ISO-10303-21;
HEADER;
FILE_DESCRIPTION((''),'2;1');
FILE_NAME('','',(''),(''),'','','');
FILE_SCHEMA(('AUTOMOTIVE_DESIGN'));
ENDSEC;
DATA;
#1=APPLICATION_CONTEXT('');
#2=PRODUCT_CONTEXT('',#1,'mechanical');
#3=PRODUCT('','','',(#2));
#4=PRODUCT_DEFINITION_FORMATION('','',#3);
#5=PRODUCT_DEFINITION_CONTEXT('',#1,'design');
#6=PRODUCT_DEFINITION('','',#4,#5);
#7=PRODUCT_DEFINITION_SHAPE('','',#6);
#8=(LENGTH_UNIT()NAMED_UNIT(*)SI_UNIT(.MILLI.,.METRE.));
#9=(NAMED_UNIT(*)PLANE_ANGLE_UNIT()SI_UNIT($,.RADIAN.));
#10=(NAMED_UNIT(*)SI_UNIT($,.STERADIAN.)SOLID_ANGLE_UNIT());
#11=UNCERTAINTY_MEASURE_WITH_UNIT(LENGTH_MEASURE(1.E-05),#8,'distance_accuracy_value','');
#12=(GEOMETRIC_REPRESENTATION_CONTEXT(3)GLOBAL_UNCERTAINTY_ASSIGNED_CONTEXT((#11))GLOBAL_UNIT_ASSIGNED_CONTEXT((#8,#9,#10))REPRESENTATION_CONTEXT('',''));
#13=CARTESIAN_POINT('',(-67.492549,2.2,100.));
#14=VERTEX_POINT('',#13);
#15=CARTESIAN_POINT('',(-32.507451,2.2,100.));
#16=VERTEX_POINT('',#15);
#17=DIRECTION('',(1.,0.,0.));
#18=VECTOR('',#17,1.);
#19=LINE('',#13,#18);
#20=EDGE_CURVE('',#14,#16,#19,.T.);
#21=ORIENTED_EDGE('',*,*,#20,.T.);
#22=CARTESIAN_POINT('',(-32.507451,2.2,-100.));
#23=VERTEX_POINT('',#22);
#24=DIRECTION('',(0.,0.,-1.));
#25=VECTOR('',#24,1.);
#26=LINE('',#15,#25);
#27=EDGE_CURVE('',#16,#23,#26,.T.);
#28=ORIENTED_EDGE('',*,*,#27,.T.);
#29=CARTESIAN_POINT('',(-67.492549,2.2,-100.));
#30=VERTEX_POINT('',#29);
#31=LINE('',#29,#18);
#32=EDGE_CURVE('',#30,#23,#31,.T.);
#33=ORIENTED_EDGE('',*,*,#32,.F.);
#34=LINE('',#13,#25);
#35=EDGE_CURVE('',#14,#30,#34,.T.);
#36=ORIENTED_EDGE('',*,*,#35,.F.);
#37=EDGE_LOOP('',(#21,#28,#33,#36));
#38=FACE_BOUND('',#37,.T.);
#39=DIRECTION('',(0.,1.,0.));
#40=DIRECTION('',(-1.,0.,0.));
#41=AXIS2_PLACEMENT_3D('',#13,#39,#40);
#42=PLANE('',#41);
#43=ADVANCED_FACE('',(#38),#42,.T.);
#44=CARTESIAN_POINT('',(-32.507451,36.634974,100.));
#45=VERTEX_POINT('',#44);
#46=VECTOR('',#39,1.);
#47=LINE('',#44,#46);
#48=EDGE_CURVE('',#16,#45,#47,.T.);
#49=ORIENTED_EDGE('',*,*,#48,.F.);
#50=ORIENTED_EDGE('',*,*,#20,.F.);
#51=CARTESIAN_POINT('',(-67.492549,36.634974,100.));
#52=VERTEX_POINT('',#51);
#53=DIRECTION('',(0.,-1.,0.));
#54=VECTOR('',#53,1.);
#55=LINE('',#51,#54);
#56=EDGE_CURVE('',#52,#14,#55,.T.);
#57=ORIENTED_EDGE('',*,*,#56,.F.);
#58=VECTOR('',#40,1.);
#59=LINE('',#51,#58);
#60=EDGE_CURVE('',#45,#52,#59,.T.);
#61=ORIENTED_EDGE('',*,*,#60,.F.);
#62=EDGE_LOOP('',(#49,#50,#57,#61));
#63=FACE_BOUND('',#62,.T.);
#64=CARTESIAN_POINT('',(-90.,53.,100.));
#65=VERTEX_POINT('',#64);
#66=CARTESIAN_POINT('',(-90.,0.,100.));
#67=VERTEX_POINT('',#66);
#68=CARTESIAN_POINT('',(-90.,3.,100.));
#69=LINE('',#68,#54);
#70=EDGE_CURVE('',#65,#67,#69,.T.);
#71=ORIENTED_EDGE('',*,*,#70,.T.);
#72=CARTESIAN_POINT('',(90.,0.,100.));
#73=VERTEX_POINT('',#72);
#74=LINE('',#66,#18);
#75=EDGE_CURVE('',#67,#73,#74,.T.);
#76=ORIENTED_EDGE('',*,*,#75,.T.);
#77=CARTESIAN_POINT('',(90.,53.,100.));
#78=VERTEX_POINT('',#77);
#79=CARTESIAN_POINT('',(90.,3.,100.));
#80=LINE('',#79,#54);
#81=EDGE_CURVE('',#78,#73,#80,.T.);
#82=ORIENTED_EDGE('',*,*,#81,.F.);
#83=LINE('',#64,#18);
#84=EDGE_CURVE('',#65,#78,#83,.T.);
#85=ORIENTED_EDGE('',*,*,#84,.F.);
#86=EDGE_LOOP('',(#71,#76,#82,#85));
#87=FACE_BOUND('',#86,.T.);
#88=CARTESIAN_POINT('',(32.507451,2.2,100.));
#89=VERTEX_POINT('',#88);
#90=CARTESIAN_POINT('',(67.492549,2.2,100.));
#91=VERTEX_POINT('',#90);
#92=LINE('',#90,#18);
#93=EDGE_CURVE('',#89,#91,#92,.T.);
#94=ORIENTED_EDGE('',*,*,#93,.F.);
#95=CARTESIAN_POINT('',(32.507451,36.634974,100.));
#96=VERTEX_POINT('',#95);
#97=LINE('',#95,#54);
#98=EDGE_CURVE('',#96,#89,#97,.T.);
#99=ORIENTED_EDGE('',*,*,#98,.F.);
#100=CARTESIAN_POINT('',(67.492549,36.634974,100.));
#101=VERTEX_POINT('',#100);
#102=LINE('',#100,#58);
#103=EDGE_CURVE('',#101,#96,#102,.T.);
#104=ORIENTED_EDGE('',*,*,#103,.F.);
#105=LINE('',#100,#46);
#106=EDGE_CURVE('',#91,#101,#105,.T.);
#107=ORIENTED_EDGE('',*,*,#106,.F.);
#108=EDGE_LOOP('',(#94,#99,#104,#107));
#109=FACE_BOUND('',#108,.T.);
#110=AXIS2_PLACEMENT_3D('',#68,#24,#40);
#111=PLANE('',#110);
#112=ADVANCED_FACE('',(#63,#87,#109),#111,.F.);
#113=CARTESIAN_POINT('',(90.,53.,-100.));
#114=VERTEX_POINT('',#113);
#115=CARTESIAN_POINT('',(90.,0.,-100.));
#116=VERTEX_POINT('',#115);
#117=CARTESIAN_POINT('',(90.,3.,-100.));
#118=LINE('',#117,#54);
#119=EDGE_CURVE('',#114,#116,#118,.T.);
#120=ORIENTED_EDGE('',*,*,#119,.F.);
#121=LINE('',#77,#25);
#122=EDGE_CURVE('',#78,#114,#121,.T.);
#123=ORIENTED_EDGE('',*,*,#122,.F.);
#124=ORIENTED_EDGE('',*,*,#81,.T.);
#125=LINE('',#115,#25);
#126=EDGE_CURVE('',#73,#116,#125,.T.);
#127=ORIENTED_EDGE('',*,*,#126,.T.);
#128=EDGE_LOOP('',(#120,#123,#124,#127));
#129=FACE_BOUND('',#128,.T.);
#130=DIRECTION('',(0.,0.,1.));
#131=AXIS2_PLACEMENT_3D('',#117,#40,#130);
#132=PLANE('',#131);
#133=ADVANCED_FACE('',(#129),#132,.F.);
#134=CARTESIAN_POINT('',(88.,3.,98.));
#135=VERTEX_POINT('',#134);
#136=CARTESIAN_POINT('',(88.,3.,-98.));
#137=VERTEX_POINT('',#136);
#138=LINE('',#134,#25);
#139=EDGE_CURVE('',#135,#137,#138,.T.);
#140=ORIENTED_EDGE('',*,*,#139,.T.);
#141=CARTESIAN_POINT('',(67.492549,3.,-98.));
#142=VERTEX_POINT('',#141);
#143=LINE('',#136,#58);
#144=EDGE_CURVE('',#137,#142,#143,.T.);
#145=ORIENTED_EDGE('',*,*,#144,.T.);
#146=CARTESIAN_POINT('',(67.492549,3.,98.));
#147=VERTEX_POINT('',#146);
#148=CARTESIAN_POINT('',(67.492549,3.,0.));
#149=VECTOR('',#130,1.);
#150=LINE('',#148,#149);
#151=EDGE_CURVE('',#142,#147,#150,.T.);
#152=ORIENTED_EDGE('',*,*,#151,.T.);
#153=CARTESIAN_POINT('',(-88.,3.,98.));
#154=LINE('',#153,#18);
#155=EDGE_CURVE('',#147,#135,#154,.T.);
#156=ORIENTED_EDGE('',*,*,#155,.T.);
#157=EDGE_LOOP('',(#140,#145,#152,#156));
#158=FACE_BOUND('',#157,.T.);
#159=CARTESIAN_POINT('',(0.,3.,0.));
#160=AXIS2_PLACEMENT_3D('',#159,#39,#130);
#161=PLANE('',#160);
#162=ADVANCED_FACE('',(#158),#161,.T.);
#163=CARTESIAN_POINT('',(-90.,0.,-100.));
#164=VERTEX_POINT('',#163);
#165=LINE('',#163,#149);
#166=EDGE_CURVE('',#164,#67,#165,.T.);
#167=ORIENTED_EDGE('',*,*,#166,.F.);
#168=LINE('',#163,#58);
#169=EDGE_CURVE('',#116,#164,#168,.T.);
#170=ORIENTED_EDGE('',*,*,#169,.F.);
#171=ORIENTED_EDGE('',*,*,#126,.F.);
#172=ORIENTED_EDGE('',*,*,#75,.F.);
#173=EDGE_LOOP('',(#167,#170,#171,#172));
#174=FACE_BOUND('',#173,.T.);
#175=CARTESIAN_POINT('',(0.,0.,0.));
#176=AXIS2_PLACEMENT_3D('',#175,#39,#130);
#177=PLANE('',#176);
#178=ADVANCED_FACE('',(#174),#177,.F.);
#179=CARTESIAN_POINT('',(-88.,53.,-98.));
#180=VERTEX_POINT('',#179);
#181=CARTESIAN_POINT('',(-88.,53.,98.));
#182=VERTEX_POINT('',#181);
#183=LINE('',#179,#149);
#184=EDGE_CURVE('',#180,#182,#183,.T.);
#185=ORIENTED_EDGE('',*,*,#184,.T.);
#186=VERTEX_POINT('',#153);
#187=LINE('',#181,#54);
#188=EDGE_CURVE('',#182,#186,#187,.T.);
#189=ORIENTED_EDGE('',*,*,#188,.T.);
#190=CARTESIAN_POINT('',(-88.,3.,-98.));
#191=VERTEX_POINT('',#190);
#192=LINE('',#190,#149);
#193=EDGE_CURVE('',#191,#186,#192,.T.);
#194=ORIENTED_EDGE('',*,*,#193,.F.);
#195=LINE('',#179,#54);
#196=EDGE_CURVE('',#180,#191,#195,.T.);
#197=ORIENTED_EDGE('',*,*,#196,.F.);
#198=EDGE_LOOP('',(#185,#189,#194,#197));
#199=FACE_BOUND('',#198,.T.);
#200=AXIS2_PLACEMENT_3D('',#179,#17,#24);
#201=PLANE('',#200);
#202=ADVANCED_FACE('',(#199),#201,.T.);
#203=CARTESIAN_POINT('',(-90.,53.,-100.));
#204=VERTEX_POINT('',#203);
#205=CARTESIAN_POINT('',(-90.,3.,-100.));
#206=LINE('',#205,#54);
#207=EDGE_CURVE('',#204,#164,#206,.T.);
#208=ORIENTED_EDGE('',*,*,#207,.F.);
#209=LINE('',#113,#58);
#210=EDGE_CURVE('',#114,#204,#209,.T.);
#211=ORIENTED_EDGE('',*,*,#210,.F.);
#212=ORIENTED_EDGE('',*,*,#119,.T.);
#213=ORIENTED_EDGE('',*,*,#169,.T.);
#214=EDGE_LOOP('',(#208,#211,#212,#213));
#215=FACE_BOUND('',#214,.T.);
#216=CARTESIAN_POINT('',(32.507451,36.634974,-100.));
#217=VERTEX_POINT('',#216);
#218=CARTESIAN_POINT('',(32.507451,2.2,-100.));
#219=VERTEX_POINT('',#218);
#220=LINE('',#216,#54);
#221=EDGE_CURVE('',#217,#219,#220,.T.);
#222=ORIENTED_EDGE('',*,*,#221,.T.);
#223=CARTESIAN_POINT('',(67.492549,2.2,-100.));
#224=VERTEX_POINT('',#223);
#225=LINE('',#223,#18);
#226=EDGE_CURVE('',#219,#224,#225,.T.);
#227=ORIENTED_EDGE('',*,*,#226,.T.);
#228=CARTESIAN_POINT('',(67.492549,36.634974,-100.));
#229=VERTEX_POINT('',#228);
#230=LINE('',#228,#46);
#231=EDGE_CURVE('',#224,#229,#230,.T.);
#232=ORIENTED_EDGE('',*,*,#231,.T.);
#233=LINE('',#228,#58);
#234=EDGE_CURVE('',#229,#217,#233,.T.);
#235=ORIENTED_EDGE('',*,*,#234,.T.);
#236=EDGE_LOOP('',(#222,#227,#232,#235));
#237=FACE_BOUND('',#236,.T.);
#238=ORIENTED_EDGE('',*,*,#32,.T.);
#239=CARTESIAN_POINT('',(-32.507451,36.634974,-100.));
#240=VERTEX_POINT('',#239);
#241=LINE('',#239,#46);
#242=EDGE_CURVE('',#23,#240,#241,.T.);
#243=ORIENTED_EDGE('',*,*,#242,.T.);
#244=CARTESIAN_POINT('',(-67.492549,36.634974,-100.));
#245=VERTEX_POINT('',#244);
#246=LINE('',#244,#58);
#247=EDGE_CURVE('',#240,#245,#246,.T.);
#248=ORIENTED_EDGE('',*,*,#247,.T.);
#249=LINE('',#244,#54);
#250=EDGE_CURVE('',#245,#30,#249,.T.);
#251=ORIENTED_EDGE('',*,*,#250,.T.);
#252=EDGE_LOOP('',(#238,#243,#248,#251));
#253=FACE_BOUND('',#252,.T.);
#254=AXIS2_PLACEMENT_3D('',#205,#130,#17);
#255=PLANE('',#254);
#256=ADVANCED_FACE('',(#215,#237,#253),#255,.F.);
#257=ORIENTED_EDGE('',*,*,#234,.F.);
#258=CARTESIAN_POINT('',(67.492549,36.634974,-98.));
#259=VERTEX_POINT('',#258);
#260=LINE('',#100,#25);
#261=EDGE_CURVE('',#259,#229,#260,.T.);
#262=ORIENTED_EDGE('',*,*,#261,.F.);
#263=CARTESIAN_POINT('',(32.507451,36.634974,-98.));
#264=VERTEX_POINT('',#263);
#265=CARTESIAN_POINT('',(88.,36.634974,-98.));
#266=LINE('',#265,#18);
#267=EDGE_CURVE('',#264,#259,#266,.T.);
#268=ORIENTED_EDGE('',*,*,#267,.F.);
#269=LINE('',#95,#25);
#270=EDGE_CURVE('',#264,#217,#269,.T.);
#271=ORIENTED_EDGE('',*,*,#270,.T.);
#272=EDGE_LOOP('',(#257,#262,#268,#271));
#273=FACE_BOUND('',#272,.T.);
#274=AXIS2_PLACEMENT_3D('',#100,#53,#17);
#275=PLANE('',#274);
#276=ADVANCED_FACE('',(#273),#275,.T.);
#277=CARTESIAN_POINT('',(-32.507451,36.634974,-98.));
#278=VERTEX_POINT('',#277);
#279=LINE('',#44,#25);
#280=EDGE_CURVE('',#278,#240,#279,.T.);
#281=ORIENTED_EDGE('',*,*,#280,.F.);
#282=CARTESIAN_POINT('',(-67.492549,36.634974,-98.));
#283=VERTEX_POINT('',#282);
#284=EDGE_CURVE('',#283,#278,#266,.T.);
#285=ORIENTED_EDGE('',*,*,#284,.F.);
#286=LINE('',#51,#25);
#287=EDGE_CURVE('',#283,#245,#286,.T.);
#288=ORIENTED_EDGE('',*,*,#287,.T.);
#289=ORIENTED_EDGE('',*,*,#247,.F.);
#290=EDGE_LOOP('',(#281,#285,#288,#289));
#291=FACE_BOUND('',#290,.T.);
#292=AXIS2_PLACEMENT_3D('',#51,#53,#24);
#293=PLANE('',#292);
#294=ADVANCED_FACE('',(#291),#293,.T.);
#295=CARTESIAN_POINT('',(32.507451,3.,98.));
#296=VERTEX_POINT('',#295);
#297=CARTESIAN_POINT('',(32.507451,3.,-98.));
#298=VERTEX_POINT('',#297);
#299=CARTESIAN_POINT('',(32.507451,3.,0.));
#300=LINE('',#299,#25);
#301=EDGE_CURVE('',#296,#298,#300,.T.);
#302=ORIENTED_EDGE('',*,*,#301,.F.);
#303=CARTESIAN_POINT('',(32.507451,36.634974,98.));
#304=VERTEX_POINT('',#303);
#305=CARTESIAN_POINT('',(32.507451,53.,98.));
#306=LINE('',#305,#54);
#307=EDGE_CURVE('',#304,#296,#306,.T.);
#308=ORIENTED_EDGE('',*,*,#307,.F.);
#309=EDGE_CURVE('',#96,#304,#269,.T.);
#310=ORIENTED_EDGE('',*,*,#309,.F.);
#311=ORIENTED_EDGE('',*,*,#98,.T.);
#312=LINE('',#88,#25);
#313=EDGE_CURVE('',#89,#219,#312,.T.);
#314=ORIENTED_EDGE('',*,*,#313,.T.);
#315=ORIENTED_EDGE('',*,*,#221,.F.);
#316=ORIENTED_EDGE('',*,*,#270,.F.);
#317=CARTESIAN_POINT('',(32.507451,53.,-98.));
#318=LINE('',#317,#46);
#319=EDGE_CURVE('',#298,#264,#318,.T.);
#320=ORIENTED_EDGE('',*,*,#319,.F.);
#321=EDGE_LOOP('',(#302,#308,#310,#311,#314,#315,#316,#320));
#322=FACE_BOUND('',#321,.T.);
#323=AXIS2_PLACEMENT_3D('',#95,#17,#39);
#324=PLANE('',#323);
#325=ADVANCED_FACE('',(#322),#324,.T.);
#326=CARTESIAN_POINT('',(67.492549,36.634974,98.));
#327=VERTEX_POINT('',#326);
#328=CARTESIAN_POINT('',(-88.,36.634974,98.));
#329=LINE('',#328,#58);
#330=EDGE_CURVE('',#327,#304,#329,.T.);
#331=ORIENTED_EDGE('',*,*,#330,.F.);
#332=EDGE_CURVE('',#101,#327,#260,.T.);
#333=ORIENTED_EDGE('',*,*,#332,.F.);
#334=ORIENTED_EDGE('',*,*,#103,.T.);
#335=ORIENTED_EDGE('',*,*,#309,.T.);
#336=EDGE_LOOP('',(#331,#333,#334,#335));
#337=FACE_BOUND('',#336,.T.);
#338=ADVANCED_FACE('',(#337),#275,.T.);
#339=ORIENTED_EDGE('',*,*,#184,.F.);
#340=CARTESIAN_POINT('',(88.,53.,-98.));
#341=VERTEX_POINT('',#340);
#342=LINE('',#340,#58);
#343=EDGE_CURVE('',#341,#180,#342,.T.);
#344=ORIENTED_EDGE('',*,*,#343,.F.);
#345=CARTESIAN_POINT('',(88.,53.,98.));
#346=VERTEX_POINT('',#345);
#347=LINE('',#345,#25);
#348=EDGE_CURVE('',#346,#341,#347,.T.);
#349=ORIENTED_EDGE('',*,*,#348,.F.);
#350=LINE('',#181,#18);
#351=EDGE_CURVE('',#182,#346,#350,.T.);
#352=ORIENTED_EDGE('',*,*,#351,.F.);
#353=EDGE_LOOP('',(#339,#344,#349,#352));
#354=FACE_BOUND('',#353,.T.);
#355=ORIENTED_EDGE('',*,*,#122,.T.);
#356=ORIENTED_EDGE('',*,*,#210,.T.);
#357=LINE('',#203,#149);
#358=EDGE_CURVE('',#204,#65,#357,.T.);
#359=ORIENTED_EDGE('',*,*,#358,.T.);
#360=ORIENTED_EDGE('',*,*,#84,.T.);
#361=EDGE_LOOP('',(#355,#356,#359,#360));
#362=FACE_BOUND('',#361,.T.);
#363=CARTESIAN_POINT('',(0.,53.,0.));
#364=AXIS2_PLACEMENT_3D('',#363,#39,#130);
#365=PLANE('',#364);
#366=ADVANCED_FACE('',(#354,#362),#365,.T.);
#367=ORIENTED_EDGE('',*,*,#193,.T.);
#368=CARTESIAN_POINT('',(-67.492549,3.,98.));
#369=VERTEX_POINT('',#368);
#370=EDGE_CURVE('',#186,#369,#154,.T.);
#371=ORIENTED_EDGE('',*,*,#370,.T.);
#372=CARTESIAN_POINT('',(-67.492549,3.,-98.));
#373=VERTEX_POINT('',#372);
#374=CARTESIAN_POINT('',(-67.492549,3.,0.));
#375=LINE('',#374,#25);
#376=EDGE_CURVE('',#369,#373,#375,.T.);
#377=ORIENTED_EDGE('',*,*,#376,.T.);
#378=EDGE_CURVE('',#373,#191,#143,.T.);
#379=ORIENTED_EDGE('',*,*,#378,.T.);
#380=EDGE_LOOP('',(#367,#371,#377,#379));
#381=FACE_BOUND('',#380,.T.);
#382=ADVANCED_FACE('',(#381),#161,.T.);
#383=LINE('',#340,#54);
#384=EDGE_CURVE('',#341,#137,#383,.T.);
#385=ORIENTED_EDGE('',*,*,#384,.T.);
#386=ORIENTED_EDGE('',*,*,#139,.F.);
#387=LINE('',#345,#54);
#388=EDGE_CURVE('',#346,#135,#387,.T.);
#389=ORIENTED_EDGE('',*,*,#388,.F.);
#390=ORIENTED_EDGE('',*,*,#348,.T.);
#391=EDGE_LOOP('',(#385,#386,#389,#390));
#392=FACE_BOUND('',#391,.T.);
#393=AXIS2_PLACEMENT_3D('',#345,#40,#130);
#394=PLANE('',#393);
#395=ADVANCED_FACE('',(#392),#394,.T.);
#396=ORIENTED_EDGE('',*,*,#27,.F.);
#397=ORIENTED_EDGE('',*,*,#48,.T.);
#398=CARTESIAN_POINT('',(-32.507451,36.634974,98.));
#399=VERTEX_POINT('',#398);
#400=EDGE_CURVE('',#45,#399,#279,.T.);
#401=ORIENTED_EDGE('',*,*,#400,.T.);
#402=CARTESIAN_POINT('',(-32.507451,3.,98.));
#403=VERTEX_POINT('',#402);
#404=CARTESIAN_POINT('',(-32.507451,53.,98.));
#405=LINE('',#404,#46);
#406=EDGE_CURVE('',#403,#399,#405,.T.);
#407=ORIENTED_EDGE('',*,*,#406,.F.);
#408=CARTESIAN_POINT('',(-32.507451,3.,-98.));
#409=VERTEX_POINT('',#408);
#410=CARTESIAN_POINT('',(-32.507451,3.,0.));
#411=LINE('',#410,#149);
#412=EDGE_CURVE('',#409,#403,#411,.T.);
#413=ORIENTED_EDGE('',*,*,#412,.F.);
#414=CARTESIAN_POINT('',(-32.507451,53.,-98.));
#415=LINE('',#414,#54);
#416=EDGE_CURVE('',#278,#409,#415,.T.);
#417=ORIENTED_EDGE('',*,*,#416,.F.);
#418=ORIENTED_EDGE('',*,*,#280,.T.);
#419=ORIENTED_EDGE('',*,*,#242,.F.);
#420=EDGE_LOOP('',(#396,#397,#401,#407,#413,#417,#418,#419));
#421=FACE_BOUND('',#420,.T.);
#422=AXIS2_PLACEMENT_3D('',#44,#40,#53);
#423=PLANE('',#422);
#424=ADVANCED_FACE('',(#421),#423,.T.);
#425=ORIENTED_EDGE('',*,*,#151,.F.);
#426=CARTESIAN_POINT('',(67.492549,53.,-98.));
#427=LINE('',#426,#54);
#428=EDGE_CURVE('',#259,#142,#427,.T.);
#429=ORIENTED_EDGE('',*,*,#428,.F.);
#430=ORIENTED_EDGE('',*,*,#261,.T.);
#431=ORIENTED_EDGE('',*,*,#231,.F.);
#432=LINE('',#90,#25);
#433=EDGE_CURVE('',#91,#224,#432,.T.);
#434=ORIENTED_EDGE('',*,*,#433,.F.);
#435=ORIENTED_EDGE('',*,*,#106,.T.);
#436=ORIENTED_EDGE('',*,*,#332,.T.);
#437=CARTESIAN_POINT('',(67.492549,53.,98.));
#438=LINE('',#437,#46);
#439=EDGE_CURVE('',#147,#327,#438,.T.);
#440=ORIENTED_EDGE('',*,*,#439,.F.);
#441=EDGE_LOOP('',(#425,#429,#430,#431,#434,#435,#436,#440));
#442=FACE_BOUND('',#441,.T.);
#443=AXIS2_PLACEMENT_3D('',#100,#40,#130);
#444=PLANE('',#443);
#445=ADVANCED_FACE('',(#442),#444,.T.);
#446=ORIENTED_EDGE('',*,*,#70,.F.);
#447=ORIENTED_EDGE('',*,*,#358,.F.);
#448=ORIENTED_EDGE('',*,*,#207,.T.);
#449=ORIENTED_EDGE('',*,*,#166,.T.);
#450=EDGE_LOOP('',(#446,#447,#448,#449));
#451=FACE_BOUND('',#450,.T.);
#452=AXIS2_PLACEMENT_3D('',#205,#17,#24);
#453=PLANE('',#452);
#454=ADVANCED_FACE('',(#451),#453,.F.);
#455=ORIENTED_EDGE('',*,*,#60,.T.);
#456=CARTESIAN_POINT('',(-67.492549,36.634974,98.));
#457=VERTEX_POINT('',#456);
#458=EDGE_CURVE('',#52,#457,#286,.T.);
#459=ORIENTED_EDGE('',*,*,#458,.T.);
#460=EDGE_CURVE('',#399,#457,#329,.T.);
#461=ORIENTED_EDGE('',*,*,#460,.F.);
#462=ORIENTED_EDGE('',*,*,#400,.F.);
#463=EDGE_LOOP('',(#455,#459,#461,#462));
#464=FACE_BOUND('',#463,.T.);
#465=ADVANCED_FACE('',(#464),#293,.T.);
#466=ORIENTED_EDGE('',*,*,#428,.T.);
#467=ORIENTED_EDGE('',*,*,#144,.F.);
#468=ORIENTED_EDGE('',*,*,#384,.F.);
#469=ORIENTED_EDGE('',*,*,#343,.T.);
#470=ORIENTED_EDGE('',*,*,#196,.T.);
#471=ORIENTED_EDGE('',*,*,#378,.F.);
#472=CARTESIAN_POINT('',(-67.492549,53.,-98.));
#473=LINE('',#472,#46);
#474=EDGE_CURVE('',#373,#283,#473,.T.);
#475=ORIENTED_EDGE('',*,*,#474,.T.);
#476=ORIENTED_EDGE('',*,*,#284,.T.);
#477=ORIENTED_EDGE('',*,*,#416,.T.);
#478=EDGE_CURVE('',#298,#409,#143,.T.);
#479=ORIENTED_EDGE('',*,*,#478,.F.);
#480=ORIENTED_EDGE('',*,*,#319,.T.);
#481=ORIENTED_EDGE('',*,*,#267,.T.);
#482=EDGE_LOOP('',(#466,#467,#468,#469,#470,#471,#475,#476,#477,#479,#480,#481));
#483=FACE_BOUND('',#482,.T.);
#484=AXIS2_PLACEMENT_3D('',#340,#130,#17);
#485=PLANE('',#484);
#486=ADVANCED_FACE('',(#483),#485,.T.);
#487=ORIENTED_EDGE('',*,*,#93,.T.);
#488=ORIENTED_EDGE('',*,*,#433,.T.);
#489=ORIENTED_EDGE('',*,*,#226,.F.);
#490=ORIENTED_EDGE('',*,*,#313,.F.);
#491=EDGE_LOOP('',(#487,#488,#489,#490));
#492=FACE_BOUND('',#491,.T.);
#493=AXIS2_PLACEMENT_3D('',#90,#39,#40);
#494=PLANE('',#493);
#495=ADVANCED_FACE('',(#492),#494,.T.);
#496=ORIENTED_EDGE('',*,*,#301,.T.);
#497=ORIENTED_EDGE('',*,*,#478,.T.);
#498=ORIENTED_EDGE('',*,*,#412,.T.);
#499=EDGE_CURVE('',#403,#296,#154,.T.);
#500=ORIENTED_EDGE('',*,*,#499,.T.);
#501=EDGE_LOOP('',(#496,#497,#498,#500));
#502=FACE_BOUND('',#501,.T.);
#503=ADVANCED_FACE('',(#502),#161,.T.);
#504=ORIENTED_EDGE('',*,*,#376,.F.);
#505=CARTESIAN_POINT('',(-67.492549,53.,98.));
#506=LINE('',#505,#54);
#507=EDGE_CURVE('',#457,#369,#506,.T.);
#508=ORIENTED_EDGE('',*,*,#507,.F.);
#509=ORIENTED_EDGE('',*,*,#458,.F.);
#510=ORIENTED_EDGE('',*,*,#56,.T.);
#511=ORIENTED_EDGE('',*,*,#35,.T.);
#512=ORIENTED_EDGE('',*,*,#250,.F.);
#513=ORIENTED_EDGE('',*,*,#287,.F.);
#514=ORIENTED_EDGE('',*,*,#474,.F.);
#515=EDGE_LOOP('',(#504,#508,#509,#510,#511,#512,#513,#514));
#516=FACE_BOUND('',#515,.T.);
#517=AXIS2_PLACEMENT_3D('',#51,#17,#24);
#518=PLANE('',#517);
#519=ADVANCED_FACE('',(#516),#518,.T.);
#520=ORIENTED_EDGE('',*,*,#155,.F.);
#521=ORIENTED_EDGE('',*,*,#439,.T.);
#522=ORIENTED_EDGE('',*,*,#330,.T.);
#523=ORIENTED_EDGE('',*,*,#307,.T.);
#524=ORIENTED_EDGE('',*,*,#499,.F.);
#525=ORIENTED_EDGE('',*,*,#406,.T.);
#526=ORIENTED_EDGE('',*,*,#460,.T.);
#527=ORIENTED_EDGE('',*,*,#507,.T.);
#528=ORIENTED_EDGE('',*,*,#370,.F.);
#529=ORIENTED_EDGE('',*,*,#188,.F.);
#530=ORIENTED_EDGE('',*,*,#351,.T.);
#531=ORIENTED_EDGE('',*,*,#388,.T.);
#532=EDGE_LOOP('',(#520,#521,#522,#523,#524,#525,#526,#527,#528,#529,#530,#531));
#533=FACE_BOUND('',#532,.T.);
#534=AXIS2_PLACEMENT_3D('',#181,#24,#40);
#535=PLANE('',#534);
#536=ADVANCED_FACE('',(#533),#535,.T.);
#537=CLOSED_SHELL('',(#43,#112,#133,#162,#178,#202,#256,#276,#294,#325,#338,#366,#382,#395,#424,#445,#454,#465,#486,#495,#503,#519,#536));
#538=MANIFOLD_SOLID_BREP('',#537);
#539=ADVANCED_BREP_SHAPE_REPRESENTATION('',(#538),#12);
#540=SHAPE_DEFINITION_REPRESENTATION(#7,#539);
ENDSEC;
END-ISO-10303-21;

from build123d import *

# Parameters (mm, degrees)
SKETCH1_W               = 180
SKETCH1_H               = 200
BOSS_EXTRUDE1_DEPTH     = 3
SKETCH2_W               = 180
SKETCH2_H               = 200
SKETCH2_W_2             = 176
SKETCH2_H_2             = 196
BOSS_EXTRUDE2_DEPTH     = 50
CUT_EXTRUDE1_DEPTH      = 145.599446749
CUT_EXTRUDE1_DEPTH_BACK = 145.599446749
SKETCH3_W               = 34.985098544
SKETCH3_H               = 34.434974118


with BuildPart() as part:
    # Sketch1 → Boss-Extrude1 (new body)
    with BuildSketch(Plane(origin=(0, 0, 0), x_dir=(1, 0, 0), z_dir=(0, 1, 0))):
        Rectangle(SKETCH1_W, SKETCH1_H)
    extrude(amount=BOSS_EXTRUDE1_DEPTH)

    # Sketch2 → Boss-Extrude2 (add)
    with BuildSketch(Plane(origin=(0, 3, 0), x_dir=(1, 0, 0), z_dir=(0, 1, 0))):
        Rectangle(SKETCH2_W, SKETCH2_H)
        Rectangle(SKETCH2_W_2, SKETCH2_H_2, mode=Mode.SUBTRACT)
    extrude(amount=BOSS_EXTRUDE2_DEPTH)

    # Sketch3 → Cut-Extrude1 (cut, two sides: drawn at the far end of the back side and taken through both)
    with BuildSketch(Plane.XY.offset(-CUT_EXTRUDE1_DEPTH_BACK)):
        with Locations((-50, 19.417487059)):
            Rectangle(SKETCH3_W, SKETCH3_H)
        with Locations((50, 19.417487059)):
            Rectangle(SKETCH3_W, SKETCH3_H)
    extrude(amount=CUT_EXTRUDE1_DEPTH + CUT_EXTRUDE1_DEPTH_BACK, mode=Mode.SUBTRACT)


solid = part.part
